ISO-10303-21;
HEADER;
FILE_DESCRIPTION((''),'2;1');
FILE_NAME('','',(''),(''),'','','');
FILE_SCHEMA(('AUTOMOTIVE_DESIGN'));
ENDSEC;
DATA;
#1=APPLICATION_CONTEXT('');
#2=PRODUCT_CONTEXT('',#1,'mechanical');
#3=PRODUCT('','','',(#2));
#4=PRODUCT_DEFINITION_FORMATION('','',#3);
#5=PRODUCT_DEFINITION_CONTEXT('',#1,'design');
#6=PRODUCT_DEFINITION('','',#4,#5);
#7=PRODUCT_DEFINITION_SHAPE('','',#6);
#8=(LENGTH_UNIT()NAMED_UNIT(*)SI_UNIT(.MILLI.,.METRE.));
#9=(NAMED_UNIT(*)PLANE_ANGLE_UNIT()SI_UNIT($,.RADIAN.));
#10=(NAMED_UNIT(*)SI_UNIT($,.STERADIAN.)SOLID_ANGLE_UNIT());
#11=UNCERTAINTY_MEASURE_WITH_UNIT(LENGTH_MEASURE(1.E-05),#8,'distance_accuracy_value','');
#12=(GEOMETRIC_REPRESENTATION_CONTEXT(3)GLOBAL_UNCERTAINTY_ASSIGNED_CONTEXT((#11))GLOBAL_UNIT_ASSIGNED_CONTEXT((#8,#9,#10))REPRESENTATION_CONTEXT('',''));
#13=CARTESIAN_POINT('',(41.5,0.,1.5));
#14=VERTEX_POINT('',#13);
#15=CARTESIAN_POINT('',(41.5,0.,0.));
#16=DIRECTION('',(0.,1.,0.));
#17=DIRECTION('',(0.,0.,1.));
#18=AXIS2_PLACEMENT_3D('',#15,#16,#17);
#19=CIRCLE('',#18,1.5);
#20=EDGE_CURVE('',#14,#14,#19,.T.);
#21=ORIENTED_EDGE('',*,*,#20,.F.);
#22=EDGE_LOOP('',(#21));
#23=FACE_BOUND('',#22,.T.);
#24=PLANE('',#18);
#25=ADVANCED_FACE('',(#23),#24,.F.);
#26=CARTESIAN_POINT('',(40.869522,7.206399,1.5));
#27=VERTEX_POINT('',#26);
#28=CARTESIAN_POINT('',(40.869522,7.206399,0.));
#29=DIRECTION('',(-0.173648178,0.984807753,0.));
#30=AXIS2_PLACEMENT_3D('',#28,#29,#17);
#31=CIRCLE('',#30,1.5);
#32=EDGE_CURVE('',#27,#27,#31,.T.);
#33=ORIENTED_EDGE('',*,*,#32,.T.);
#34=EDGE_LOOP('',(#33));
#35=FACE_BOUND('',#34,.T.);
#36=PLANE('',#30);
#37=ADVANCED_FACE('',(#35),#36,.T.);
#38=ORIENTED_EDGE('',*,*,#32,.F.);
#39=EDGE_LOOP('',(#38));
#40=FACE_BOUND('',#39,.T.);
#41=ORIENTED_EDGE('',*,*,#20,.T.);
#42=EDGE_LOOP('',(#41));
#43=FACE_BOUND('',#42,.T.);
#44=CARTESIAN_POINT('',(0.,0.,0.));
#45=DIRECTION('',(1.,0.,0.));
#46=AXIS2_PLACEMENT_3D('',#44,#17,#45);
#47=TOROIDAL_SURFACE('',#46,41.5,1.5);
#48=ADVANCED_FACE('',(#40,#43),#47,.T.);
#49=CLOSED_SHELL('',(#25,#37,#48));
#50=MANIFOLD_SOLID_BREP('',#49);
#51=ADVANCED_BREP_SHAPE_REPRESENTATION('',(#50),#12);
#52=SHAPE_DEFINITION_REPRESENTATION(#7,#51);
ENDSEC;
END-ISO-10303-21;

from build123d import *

# Parameters (mm, degrees)
SKETCH12_R = 1.5


with BuildPart() as part:
    # RoundBeltSweep: sweep along a path in Sketch2<2>
    with BuildLine(Plane.XY) as roundbeltsweep_path:
        ThreePointArc((40, 0), (39.847787924, 3.48622971), (39.39231012, 6.945927107))
    # Sketch12 → RoundBeltSweep (sweep)
    with BuildSketch(Plane(origin=(0, 0, 0), x_dir=(0, 0, -1), z_dir=(0, 1, 0))):
        with Locations((0, -41.5)):
            Circle(SKETCH12_R)
    sweep(path=roundbeltsweep_path.line)


solid = part.part
